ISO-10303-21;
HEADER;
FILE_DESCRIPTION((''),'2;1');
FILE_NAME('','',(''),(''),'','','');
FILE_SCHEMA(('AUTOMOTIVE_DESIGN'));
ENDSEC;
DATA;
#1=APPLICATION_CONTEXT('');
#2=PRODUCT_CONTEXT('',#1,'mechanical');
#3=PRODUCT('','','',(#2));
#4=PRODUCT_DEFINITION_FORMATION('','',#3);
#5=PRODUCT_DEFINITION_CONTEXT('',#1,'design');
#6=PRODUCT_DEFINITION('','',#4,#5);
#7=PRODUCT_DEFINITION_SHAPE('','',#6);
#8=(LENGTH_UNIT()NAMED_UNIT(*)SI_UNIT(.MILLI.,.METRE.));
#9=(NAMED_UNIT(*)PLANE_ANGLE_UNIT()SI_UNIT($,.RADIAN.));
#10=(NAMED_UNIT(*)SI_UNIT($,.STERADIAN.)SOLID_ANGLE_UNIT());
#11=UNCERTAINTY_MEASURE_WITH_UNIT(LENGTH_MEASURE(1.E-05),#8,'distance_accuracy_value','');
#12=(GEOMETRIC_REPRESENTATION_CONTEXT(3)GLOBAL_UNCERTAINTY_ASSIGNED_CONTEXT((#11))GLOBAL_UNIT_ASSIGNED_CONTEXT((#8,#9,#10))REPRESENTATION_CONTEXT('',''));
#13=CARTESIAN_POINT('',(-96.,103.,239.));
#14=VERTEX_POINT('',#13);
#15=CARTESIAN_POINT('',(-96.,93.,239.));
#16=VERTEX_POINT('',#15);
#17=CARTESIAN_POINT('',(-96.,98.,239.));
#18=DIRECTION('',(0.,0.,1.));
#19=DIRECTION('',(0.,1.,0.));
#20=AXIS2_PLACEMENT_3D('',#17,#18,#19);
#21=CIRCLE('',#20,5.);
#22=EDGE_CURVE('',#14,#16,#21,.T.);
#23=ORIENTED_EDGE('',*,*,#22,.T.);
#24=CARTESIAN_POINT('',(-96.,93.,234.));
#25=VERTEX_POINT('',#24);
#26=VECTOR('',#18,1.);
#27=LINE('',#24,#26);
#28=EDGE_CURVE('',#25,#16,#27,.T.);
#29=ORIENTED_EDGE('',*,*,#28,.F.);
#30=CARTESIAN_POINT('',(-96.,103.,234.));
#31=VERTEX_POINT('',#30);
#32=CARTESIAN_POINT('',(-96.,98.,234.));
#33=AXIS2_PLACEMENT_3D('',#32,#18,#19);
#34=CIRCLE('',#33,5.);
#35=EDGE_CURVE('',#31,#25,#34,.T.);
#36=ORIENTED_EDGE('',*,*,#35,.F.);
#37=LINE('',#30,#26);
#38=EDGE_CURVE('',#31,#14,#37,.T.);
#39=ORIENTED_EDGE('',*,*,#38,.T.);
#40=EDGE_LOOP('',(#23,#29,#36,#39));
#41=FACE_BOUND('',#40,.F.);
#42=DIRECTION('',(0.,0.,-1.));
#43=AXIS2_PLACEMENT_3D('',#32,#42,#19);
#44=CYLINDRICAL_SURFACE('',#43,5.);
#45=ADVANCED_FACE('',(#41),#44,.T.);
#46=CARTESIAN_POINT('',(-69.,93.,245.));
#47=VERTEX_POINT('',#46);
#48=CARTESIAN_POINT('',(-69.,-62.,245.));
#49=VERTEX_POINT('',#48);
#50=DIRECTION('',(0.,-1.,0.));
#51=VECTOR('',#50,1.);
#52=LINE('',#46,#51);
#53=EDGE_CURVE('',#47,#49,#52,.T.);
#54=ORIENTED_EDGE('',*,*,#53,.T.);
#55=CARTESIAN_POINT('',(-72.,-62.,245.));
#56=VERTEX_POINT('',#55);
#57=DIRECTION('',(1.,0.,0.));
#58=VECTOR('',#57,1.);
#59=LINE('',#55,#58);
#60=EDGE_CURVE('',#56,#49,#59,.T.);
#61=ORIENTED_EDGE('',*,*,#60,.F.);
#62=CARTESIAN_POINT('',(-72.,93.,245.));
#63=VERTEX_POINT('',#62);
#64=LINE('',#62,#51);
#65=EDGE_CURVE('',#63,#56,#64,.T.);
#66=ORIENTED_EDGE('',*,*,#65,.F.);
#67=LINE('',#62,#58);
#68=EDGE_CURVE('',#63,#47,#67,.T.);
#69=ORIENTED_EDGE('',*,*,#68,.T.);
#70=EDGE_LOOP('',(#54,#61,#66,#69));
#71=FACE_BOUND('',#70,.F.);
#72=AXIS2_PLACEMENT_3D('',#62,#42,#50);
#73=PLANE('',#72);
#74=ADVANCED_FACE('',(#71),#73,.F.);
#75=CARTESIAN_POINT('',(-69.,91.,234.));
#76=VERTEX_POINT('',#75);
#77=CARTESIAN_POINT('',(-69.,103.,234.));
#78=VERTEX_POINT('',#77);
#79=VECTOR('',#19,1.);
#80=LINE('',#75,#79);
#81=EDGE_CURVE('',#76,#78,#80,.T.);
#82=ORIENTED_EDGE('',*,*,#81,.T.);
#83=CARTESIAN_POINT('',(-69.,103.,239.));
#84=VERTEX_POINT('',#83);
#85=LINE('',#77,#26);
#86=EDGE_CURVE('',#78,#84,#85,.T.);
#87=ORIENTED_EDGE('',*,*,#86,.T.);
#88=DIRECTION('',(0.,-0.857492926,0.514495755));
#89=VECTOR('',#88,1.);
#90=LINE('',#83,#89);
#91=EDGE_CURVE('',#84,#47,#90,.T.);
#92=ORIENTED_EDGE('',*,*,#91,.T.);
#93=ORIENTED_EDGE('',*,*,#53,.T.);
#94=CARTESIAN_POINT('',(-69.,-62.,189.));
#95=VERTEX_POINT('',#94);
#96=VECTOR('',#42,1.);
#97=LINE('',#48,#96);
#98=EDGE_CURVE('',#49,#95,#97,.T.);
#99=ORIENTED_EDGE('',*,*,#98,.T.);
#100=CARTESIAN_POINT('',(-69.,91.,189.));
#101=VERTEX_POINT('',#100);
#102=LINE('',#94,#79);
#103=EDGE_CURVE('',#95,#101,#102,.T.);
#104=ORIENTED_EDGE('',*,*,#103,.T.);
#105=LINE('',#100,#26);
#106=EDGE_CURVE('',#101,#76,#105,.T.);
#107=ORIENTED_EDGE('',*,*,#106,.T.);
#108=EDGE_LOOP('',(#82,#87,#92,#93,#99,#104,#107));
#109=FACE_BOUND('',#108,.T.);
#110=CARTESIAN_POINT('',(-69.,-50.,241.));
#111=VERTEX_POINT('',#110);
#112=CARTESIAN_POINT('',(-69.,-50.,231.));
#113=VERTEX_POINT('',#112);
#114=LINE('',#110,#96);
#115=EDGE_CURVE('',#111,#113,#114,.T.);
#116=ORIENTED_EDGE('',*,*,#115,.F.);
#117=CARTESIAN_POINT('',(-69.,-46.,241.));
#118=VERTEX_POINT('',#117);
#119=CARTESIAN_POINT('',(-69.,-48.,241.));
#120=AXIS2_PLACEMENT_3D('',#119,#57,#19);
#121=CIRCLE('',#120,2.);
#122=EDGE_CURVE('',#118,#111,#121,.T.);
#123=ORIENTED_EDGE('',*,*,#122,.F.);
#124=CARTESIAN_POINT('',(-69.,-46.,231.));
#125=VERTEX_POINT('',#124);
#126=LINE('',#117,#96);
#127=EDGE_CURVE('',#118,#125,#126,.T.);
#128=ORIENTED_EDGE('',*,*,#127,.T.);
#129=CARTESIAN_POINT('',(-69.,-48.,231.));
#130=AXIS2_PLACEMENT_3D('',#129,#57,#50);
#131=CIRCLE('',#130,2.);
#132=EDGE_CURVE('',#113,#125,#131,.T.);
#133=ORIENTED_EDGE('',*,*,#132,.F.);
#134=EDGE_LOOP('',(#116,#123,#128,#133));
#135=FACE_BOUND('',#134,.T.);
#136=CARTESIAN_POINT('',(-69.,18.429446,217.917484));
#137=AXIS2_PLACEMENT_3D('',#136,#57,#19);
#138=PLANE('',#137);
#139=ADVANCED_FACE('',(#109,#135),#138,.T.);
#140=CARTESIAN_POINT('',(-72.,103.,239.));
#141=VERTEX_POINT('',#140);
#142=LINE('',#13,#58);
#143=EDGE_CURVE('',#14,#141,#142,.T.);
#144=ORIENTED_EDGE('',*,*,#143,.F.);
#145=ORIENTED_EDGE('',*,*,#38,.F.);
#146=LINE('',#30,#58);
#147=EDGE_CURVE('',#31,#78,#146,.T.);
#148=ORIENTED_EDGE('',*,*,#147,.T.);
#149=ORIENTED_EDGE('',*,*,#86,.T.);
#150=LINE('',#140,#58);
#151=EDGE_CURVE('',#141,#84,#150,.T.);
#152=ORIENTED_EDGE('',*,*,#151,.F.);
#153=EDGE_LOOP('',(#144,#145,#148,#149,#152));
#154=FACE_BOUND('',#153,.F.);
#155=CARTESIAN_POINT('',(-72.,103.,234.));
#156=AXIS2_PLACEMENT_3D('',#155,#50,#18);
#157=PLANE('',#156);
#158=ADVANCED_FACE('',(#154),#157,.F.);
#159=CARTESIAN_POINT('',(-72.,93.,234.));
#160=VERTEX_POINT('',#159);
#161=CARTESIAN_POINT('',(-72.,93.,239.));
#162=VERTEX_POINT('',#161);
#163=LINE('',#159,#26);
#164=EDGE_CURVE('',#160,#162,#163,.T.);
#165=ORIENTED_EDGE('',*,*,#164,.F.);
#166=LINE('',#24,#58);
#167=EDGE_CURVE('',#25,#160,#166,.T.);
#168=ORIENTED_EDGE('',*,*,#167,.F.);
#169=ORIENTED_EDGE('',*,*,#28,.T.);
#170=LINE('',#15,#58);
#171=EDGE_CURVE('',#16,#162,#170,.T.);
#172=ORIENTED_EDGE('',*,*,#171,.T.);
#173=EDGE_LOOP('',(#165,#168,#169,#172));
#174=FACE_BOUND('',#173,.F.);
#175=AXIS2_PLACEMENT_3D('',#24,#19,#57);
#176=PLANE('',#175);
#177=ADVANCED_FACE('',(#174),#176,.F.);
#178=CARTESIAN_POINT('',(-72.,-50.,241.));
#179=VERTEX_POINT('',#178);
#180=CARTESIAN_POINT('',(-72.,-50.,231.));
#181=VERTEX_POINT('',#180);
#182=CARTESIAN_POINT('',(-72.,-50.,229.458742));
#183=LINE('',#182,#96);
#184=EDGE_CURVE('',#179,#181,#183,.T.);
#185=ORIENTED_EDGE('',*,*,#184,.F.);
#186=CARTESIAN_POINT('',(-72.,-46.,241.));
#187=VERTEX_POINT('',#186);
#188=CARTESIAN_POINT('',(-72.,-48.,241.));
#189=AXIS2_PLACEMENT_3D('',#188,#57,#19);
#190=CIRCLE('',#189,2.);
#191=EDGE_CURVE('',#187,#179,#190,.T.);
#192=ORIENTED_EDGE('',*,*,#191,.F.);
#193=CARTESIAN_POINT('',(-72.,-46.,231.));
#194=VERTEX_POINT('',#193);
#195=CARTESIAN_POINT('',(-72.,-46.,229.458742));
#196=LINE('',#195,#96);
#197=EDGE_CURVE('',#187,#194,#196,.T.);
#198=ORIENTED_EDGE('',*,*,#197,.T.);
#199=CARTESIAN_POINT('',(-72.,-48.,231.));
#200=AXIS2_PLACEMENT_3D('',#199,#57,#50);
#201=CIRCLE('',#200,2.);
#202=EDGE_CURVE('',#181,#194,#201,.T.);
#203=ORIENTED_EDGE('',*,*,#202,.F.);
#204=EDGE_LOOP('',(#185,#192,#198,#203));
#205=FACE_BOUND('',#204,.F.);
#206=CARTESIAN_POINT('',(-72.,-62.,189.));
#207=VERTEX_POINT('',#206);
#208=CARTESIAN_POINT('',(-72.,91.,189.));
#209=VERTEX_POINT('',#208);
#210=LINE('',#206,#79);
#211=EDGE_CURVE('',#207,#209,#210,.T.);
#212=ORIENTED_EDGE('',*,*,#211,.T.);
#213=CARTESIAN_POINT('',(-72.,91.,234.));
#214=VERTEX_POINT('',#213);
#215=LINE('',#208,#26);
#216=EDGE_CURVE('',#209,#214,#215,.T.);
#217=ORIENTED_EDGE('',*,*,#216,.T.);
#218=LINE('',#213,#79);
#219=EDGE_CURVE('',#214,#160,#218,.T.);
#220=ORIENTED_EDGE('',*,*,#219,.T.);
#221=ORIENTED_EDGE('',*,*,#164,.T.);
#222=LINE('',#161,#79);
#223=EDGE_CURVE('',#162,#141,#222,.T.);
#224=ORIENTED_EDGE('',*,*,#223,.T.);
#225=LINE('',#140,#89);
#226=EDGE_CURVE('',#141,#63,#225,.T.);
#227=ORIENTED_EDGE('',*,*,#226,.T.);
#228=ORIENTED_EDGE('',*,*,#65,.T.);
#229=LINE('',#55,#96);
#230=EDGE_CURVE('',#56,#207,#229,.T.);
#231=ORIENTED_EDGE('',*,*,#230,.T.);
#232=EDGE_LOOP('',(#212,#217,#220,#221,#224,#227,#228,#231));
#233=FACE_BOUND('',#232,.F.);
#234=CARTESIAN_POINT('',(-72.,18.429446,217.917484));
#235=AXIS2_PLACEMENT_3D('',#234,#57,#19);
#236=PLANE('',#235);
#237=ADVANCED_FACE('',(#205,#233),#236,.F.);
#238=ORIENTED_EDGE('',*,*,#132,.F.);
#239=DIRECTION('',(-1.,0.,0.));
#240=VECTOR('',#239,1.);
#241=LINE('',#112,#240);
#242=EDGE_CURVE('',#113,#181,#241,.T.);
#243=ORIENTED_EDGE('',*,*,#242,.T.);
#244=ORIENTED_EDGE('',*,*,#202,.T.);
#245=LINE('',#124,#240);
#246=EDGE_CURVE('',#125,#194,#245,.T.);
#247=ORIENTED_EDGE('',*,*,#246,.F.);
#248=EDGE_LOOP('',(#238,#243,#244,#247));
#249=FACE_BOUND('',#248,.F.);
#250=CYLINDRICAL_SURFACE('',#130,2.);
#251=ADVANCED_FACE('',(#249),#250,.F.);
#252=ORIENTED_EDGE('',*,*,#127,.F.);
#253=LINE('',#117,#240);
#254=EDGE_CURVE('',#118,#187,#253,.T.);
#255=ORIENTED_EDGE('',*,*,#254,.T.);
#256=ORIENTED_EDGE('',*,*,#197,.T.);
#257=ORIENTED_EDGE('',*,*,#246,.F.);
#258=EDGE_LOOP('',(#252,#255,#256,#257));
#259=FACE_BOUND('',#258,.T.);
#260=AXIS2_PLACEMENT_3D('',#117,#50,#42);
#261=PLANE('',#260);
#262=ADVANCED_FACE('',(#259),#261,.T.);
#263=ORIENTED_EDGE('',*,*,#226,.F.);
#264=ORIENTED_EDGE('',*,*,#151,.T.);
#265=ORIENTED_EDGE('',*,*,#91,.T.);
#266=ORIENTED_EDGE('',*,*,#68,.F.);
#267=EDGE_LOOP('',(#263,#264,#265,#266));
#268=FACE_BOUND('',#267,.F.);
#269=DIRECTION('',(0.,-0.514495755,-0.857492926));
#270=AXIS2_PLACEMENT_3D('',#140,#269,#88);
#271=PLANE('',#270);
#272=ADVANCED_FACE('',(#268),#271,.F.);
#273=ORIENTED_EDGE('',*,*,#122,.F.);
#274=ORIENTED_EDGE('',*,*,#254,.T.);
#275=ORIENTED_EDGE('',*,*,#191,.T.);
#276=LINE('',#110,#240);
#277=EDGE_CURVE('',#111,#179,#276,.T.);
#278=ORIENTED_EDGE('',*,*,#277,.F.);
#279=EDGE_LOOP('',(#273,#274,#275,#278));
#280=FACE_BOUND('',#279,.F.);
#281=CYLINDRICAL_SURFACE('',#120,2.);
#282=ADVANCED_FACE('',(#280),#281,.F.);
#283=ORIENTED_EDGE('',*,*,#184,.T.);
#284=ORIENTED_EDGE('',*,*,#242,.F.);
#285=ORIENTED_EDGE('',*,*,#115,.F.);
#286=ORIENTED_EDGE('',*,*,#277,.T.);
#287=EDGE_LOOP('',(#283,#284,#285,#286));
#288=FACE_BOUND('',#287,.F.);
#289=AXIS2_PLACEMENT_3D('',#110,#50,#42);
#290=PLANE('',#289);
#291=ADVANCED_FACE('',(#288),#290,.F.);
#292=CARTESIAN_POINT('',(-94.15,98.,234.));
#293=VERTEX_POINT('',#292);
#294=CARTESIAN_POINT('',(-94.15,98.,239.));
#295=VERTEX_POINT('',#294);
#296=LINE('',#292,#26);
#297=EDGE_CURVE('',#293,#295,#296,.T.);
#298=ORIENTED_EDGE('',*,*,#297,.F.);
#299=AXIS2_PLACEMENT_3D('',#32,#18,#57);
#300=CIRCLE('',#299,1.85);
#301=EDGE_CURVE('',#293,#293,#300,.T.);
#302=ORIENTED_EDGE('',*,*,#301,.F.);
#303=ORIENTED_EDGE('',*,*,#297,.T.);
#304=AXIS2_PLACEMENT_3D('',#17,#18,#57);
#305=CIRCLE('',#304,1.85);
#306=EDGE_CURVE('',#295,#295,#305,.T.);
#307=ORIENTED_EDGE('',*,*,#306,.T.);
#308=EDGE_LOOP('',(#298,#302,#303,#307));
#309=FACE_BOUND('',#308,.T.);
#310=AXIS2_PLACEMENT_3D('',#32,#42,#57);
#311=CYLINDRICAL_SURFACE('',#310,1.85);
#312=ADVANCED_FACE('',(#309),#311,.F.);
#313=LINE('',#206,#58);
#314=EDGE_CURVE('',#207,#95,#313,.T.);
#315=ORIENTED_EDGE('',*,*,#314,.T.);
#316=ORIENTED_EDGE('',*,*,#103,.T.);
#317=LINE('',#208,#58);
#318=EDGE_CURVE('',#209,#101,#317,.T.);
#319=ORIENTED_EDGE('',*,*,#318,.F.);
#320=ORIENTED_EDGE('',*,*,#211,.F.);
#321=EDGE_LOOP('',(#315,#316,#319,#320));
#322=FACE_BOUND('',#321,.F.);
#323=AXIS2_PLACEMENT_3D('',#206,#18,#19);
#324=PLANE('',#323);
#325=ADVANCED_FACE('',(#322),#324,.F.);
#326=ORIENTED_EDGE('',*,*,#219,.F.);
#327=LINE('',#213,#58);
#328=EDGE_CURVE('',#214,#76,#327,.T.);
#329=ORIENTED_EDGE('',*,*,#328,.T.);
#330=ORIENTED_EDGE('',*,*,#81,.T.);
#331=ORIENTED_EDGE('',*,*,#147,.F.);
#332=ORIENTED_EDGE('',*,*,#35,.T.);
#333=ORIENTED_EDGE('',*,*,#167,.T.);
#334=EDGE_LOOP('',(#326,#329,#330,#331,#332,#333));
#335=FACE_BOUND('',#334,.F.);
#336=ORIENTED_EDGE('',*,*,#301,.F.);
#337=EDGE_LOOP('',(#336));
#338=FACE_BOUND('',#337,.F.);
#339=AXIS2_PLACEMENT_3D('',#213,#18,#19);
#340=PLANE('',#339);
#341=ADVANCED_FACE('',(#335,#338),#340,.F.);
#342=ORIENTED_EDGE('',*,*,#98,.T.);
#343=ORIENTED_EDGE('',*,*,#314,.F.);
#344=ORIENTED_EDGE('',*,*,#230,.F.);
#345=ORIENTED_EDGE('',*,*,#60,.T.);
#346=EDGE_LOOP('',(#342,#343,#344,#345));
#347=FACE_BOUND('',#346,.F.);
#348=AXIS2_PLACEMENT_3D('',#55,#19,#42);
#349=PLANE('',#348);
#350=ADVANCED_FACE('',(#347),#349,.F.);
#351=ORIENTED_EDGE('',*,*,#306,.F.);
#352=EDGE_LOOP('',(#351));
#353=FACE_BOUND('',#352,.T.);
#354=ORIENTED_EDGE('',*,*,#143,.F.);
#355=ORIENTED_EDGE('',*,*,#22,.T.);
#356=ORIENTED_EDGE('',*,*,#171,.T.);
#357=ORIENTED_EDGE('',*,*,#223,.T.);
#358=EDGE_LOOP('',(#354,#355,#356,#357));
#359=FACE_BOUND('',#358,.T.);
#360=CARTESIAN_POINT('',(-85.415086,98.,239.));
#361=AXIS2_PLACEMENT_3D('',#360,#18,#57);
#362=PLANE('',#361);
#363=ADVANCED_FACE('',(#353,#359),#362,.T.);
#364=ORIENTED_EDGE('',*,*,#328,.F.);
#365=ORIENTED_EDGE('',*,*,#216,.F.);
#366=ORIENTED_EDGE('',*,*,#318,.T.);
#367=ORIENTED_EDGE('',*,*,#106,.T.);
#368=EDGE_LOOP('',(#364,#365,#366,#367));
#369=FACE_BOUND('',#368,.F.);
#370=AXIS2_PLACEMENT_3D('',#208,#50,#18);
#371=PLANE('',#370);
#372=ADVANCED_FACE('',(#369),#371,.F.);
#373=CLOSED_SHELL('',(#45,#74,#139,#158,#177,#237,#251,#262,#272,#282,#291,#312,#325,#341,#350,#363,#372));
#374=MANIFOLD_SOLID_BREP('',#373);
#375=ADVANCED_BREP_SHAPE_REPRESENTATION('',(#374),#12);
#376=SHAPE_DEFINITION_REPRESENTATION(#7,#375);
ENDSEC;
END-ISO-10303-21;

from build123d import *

# Parameters (mm, degrees)
SKETCH246_R     = 1.85
PAD021_DEPTH    = 5
PAD022_DEPTH    = 3
POCKET017_DEPTH = 5


with BuildPart() as part:
    # Sketch246 → Pad021 (new body)
    with BuildSketch(Plane.XY):
        with BuildLine():
            ThreePointArc((0, 5), (-5, 0), (0, -5))
            Line((0, -5), (24, -5))
            Line((24, -5), (24, 5))
            Line((0, 5), (24, 5))
        make_face()
        Circle(SKETCH246_R, mode=Mode.SUBTRACT)
    extrude(amount=PAD021_DEPTH)

    # Sketch247 (on Face3 of Pad021) → Pad022 (join)
    with BuildSketch(Plane.YZ.offset(24)):
        Polygon((-7, 0), (5, 0), (5, 5), (-5, 11), (-160, 11), (-160, -45), (-7, -45), align=None)
    extrude(amount=PAD022_DEPTH)

    # Sketch248 (on Face11 of Pad022) → Pocket017 (cut)
    with BuildSketch(Plane.YZ.offset(27)):
        with BuildLine():
            ThreePointArc((-144, 7), (-146, 9), (-148, 7))
            Line((-148, 7), (-148, -3))
            ThreePointArc((-148, -3), (-146, -5), (-144, -3))
            Line((-144, 7), (-144, -3))
        make_face()
    extrude(amount=-POCKET017_DEPTH, mode=Mode.SUBTRACT)


with BuildPart() as part_1:
    # Body011 placement: moved
    add(part.part.moved(Location((-96, 98, 234))))


solid = part_1.part
